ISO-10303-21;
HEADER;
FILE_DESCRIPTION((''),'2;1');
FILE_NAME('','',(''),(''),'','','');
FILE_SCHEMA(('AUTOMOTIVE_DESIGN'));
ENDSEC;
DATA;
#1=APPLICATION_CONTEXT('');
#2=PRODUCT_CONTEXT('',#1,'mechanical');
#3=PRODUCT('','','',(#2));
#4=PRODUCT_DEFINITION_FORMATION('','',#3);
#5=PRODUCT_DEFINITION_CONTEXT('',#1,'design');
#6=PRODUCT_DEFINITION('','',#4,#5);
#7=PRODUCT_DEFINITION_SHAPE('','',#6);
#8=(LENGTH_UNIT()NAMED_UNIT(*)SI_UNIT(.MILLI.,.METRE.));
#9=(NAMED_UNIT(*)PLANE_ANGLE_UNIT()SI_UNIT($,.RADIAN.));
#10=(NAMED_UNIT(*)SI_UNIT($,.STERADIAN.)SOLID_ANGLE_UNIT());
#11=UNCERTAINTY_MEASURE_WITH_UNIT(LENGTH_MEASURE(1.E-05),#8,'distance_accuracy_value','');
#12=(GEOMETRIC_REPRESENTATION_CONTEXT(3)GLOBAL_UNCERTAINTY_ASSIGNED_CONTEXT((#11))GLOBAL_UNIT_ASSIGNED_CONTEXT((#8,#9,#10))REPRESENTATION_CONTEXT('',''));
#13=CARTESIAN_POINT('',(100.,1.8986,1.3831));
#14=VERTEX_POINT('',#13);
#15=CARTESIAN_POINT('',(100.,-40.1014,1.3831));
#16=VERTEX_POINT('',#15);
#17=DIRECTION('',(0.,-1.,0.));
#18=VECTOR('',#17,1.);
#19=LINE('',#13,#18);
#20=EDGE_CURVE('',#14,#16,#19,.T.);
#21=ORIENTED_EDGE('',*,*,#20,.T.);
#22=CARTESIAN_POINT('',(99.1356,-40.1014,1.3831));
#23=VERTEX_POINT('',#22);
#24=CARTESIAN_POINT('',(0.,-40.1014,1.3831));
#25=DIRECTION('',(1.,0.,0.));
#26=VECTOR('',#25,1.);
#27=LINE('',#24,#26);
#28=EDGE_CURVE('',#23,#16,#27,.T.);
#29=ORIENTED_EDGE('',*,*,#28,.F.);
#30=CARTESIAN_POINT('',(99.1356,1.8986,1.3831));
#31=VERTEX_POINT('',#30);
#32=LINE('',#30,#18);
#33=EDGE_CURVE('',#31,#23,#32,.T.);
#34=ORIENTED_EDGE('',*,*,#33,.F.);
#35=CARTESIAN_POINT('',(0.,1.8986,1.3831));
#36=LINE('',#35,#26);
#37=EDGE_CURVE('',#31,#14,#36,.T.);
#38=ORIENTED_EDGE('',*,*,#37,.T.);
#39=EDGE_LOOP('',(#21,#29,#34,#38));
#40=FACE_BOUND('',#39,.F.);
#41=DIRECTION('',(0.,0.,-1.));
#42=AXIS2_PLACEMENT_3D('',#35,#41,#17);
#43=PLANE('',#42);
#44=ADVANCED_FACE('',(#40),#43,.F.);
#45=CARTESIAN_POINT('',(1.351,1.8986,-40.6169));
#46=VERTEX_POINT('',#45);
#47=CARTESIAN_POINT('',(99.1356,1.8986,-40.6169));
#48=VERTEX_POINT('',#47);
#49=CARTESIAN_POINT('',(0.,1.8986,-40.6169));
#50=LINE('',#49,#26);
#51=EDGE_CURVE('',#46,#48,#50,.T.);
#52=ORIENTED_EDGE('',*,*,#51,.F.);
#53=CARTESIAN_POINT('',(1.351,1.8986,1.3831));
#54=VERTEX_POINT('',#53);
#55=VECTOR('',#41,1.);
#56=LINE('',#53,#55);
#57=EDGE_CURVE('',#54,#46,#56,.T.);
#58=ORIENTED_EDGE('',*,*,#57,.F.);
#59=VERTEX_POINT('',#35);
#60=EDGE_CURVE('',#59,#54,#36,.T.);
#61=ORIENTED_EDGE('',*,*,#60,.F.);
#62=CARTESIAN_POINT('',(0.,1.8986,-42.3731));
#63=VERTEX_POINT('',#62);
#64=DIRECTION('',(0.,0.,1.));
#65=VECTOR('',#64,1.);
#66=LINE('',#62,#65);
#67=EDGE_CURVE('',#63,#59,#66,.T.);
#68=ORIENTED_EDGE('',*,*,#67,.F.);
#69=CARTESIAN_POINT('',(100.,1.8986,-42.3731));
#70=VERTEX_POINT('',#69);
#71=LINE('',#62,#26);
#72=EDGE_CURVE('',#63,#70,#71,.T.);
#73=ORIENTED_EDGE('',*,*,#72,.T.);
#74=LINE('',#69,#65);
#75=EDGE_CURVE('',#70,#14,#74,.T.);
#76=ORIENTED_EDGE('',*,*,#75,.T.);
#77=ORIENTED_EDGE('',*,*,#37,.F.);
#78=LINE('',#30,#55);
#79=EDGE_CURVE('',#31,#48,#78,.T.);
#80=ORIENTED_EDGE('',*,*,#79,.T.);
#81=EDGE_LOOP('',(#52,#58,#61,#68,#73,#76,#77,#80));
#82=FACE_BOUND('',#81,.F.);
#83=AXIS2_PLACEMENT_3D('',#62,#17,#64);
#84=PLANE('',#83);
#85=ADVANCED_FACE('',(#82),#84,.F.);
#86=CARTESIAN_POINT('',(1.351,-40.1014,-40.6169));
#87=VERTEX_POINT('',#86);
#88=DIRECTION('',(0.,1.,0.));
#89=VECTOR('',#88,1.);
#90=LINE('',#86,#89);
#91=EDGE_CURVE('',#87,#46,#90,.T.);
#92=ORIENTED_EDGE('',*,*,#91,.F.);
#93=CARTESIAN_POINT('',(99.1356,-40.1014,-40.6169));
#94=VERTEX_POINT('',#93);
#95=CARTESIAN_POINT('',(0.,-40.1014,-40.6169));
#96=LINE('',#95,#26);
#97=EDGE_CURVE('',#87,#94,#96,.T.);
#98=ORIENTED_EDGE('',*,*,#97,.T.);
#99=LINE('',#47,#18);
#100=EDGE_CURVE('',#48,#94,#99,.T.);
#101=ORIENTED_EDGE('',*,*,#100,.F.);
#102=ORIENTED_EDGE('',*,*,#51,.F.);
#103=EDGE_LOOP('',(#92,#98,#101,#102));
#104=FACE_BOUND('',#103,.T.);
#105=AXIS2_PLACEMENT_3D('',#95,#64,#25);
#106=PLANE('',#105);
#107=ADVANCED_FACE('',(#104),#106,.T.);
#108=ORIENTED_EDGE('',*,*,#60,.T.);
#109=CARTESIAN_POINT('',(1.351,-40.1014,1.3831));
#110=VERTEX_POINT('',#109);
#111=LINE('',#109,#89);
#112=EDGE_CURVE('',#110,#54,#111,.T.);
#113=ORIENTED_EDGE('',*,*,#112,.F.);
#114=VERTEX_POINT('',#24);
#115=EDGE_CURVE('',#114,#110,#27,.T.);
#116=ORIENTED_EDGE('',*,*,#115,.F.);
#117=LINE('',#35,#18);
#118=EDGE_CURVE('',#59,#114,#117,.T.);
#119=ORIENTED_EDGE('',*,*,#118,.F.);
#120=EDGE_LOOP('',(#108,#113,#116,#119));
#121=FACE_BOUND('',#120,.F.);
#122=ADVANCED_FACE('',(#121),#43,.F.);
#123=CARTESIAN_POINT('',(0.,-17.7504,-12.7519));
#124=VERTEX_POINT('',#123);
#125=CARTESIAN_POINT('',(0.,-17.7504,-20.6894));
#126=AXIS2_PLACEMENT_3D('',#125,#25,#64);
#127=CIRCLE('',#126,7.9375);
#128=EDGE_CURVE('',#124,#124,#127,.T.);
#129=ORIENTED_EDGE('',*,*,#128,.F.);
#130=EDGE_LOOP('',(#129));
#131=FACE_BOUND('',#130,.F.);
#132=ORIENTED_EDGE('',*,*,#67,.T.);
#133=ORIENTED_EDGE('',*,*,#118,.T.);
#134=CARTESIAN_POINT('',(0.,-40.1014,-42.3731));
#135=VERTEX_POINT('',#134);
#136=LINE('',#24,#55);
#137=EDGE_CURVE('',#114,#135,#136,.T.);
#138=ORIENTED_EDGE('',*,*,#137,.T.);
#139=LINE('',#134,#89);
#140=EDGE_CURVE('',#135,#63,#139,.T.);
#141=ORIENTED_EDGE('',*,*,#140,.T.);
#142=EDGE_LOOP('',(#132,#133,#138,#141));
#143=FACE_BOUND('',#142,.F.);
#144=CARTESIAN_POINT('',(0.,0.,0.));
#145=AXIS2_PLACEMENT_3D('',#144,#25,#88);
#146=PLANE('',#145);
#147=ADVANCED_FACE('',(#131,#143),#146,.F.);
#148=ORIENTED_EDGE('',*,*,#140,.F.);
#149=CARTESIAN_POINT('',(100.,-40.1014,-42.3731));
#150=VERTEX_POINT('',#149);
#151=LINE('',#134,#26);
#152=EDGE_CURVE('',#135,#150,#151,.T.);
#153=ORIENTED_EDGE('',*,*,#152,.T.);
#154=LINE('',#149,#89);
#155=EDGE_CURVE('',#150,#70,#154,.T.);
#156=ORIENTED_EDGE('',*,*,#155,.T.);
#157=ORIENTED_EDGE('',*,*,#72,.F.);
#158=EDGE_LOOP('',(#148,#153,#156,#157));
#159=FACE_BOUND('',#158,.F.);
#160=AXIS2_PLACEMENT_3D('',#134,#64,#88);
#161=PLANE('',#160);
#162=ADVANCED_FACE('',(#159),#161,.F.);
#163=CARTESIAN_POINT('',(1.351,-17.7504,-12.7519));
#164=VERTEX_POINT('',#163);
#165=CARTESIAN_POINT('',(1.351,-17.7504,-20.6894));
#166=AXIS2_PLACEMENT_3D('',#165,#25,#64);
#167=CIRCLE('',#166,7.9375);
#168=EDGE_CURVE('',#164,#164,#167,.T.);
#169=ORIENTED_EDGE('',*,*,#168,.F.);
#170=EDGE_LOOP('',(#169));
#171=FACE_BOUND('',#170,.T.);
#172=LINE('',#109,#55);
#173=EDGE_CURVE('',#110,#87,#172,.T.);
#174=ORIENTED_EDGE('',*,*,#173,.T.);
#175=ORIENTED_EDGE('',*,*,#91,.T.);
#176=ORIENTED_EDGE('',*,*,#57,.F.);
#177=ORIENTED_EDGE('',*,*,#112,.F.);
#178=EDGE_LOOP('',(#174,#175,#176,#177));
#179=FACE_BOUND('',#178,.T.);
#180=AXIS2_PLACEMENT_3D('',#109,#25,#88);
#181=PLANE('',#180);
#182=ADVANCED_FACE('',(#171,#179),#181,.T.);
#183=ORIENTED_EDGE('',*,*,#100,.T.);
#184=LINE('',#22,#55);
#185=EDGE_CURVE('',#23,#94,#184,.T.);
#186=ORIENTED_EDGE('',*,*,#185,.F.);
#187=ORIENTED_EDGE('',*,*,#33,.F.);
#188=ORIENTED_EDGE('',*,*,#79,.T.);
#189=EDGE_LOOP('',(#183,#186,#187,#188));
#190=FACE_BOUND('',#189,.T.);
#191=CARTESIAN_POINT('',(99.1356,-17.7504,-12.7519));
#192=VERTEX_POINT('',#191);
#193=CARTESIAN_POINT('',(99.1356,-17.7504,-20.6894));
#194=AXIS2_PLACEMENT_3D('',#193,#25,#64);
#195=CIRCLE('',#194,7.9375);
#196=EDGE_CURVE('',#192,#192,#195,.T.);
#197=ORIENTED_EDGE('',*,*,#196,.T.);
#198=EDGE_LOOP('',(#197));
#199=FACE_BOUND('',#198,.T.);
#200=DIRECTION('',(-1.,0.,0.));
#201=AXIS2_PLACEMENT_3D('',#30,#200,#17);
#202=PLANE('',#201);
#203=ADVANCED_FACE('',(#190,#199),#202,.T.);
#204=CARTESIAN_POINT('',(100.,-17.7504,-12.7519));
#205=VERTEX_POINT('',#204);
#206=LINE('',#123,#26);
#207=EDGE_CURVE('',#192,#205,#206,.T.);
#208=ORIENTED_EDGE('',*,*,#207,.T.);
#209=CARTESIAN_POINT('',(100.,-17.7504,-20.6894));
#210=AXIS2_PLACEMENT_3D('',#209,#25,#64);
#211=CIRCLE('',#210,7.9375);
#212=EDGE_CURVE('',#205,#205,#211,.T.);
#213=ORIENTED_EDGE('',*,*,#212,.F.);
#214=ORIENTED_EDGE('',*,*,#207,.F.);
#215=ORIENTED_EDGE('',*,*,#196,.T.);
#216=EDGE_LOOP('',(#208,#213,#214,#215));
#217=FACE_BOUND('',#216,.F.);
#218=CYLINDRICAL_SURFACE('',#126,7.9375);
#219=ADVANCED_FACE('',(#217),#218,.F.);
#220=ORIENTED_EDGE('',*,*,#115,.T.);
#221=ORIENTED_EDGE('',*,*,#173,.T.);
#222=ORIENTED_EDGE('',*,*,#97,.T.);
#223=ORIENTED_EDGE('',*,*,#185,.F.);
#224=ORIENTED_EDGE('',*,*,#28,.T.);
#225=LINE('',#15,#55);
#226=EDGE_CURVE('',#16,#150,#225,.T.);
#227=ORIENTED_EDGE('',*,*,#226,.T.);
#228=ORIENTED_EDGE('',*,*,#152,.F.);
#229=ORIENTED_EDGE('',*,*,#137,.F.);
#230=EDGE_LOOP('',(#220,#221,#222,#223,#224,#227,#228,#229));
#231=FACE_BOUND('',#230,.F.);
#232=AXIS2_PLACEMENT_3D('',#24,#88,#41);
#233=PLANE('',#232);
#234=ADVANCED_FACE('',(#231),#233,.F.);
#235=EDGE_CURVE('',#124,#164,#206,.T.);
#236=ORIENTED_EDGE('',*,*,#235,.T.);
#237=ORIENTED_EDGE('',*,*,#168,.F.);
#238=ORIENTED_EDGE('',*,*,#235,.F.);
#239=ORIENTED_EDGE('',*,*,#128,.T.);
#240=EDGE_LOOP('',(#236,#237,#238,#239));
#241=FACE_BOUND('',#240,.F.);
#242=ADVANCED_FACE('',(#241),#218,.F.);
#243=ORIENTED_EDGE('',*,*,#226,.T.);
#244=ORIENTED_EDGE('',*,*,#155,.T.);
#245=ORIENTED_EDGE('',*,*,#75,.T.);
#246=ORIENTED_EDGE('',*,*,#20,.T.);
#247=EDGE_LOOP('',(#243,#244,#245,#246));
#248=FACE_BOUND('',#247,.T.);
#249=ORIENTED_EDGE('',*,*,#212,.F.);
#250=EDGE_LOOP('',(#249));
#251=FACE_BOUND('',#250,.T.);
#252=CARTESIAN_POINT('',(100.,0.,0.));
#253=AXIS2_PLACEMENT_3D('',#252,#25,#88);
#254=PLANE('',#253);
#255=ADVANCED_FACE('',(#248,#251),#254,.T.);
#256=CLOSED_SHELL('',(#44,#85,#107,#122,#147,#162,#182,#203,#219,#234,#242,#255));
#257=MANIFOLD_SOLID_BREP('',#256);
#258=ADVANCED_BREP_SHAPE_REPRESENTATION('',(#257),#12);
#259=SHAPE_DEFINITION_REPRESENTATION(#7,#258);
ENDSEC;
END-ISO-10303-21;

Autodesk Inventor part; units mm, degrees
ref_plane "YZ Plane" through (0, 0, 0) normal (1, 0, 0) x (0, 1, 0)
ref_plane "XZ Plane" through (0, 0, 0) normal (0, 1, 0) x (-1, 0, 0)
ref_plane "XY Plane" through (0, 0, 0) normal (0, 0, 1) x (1, 0, 0)
sketch "Sketch1" plane through (0, 0, 0) normal (1, 0, 0) x (0, 1, 0)
  line L0 (1.8986, 1.3831) -> (-40.1014, 1.3831)
  line L1 (-40.1014, 1.3831) -> (-40.1014, -42.3731)
  line L2 (-40.1014, -42.3731) -> (1.8986, -42.3731)
  line L3 (1.8986, -42.3731) -> (1.8986, 1.3831)
  point P0 (0, 0)
  dimension "d0" = 42
extrude "Extrusion1" add sketch "Sketch1" along normal blind 100
sketch "Sketch3" plane through (0, 0, 0) normal (-1, 0, 0) x (0, 0, 1)
  point P0 (0, 0)
sketch "Sketch8" plane through (0, 0, 0) normal (-1, 0, 0) x (0, 0, 1)
  point P0 (0, 0)
  point P1 (-20.6894, -17.7504)
hole "Hole4" at (0, -17.7504, -20.6894) direction (1, 0, 0) diameter 15.875 end through all
sketch "Sketch9" plane through (0, -40.1014, 1.3831) normal (0, 0, 1) x (1, 0, 0)
  line L0 (0, 42) -> (100, 42) projected
  line L1 (0, 0) -> (100, 0) projected
  line L2 (1.351, 42) -> (99.1356, 42)
  line L3 (99.1356, 42) -> (99.1356, 0)
  line L4 (99.1356, 0) -> (1.351, 0)
  line L5 (1.351, 0) -> (1.351, 42)
  point P0 (0, 40.1014)
  point P1 (1.351, 0)
extrude "Extrusion4" cut sketch "Sketch9" against normal blind 42
properties part number "clamp 2"
